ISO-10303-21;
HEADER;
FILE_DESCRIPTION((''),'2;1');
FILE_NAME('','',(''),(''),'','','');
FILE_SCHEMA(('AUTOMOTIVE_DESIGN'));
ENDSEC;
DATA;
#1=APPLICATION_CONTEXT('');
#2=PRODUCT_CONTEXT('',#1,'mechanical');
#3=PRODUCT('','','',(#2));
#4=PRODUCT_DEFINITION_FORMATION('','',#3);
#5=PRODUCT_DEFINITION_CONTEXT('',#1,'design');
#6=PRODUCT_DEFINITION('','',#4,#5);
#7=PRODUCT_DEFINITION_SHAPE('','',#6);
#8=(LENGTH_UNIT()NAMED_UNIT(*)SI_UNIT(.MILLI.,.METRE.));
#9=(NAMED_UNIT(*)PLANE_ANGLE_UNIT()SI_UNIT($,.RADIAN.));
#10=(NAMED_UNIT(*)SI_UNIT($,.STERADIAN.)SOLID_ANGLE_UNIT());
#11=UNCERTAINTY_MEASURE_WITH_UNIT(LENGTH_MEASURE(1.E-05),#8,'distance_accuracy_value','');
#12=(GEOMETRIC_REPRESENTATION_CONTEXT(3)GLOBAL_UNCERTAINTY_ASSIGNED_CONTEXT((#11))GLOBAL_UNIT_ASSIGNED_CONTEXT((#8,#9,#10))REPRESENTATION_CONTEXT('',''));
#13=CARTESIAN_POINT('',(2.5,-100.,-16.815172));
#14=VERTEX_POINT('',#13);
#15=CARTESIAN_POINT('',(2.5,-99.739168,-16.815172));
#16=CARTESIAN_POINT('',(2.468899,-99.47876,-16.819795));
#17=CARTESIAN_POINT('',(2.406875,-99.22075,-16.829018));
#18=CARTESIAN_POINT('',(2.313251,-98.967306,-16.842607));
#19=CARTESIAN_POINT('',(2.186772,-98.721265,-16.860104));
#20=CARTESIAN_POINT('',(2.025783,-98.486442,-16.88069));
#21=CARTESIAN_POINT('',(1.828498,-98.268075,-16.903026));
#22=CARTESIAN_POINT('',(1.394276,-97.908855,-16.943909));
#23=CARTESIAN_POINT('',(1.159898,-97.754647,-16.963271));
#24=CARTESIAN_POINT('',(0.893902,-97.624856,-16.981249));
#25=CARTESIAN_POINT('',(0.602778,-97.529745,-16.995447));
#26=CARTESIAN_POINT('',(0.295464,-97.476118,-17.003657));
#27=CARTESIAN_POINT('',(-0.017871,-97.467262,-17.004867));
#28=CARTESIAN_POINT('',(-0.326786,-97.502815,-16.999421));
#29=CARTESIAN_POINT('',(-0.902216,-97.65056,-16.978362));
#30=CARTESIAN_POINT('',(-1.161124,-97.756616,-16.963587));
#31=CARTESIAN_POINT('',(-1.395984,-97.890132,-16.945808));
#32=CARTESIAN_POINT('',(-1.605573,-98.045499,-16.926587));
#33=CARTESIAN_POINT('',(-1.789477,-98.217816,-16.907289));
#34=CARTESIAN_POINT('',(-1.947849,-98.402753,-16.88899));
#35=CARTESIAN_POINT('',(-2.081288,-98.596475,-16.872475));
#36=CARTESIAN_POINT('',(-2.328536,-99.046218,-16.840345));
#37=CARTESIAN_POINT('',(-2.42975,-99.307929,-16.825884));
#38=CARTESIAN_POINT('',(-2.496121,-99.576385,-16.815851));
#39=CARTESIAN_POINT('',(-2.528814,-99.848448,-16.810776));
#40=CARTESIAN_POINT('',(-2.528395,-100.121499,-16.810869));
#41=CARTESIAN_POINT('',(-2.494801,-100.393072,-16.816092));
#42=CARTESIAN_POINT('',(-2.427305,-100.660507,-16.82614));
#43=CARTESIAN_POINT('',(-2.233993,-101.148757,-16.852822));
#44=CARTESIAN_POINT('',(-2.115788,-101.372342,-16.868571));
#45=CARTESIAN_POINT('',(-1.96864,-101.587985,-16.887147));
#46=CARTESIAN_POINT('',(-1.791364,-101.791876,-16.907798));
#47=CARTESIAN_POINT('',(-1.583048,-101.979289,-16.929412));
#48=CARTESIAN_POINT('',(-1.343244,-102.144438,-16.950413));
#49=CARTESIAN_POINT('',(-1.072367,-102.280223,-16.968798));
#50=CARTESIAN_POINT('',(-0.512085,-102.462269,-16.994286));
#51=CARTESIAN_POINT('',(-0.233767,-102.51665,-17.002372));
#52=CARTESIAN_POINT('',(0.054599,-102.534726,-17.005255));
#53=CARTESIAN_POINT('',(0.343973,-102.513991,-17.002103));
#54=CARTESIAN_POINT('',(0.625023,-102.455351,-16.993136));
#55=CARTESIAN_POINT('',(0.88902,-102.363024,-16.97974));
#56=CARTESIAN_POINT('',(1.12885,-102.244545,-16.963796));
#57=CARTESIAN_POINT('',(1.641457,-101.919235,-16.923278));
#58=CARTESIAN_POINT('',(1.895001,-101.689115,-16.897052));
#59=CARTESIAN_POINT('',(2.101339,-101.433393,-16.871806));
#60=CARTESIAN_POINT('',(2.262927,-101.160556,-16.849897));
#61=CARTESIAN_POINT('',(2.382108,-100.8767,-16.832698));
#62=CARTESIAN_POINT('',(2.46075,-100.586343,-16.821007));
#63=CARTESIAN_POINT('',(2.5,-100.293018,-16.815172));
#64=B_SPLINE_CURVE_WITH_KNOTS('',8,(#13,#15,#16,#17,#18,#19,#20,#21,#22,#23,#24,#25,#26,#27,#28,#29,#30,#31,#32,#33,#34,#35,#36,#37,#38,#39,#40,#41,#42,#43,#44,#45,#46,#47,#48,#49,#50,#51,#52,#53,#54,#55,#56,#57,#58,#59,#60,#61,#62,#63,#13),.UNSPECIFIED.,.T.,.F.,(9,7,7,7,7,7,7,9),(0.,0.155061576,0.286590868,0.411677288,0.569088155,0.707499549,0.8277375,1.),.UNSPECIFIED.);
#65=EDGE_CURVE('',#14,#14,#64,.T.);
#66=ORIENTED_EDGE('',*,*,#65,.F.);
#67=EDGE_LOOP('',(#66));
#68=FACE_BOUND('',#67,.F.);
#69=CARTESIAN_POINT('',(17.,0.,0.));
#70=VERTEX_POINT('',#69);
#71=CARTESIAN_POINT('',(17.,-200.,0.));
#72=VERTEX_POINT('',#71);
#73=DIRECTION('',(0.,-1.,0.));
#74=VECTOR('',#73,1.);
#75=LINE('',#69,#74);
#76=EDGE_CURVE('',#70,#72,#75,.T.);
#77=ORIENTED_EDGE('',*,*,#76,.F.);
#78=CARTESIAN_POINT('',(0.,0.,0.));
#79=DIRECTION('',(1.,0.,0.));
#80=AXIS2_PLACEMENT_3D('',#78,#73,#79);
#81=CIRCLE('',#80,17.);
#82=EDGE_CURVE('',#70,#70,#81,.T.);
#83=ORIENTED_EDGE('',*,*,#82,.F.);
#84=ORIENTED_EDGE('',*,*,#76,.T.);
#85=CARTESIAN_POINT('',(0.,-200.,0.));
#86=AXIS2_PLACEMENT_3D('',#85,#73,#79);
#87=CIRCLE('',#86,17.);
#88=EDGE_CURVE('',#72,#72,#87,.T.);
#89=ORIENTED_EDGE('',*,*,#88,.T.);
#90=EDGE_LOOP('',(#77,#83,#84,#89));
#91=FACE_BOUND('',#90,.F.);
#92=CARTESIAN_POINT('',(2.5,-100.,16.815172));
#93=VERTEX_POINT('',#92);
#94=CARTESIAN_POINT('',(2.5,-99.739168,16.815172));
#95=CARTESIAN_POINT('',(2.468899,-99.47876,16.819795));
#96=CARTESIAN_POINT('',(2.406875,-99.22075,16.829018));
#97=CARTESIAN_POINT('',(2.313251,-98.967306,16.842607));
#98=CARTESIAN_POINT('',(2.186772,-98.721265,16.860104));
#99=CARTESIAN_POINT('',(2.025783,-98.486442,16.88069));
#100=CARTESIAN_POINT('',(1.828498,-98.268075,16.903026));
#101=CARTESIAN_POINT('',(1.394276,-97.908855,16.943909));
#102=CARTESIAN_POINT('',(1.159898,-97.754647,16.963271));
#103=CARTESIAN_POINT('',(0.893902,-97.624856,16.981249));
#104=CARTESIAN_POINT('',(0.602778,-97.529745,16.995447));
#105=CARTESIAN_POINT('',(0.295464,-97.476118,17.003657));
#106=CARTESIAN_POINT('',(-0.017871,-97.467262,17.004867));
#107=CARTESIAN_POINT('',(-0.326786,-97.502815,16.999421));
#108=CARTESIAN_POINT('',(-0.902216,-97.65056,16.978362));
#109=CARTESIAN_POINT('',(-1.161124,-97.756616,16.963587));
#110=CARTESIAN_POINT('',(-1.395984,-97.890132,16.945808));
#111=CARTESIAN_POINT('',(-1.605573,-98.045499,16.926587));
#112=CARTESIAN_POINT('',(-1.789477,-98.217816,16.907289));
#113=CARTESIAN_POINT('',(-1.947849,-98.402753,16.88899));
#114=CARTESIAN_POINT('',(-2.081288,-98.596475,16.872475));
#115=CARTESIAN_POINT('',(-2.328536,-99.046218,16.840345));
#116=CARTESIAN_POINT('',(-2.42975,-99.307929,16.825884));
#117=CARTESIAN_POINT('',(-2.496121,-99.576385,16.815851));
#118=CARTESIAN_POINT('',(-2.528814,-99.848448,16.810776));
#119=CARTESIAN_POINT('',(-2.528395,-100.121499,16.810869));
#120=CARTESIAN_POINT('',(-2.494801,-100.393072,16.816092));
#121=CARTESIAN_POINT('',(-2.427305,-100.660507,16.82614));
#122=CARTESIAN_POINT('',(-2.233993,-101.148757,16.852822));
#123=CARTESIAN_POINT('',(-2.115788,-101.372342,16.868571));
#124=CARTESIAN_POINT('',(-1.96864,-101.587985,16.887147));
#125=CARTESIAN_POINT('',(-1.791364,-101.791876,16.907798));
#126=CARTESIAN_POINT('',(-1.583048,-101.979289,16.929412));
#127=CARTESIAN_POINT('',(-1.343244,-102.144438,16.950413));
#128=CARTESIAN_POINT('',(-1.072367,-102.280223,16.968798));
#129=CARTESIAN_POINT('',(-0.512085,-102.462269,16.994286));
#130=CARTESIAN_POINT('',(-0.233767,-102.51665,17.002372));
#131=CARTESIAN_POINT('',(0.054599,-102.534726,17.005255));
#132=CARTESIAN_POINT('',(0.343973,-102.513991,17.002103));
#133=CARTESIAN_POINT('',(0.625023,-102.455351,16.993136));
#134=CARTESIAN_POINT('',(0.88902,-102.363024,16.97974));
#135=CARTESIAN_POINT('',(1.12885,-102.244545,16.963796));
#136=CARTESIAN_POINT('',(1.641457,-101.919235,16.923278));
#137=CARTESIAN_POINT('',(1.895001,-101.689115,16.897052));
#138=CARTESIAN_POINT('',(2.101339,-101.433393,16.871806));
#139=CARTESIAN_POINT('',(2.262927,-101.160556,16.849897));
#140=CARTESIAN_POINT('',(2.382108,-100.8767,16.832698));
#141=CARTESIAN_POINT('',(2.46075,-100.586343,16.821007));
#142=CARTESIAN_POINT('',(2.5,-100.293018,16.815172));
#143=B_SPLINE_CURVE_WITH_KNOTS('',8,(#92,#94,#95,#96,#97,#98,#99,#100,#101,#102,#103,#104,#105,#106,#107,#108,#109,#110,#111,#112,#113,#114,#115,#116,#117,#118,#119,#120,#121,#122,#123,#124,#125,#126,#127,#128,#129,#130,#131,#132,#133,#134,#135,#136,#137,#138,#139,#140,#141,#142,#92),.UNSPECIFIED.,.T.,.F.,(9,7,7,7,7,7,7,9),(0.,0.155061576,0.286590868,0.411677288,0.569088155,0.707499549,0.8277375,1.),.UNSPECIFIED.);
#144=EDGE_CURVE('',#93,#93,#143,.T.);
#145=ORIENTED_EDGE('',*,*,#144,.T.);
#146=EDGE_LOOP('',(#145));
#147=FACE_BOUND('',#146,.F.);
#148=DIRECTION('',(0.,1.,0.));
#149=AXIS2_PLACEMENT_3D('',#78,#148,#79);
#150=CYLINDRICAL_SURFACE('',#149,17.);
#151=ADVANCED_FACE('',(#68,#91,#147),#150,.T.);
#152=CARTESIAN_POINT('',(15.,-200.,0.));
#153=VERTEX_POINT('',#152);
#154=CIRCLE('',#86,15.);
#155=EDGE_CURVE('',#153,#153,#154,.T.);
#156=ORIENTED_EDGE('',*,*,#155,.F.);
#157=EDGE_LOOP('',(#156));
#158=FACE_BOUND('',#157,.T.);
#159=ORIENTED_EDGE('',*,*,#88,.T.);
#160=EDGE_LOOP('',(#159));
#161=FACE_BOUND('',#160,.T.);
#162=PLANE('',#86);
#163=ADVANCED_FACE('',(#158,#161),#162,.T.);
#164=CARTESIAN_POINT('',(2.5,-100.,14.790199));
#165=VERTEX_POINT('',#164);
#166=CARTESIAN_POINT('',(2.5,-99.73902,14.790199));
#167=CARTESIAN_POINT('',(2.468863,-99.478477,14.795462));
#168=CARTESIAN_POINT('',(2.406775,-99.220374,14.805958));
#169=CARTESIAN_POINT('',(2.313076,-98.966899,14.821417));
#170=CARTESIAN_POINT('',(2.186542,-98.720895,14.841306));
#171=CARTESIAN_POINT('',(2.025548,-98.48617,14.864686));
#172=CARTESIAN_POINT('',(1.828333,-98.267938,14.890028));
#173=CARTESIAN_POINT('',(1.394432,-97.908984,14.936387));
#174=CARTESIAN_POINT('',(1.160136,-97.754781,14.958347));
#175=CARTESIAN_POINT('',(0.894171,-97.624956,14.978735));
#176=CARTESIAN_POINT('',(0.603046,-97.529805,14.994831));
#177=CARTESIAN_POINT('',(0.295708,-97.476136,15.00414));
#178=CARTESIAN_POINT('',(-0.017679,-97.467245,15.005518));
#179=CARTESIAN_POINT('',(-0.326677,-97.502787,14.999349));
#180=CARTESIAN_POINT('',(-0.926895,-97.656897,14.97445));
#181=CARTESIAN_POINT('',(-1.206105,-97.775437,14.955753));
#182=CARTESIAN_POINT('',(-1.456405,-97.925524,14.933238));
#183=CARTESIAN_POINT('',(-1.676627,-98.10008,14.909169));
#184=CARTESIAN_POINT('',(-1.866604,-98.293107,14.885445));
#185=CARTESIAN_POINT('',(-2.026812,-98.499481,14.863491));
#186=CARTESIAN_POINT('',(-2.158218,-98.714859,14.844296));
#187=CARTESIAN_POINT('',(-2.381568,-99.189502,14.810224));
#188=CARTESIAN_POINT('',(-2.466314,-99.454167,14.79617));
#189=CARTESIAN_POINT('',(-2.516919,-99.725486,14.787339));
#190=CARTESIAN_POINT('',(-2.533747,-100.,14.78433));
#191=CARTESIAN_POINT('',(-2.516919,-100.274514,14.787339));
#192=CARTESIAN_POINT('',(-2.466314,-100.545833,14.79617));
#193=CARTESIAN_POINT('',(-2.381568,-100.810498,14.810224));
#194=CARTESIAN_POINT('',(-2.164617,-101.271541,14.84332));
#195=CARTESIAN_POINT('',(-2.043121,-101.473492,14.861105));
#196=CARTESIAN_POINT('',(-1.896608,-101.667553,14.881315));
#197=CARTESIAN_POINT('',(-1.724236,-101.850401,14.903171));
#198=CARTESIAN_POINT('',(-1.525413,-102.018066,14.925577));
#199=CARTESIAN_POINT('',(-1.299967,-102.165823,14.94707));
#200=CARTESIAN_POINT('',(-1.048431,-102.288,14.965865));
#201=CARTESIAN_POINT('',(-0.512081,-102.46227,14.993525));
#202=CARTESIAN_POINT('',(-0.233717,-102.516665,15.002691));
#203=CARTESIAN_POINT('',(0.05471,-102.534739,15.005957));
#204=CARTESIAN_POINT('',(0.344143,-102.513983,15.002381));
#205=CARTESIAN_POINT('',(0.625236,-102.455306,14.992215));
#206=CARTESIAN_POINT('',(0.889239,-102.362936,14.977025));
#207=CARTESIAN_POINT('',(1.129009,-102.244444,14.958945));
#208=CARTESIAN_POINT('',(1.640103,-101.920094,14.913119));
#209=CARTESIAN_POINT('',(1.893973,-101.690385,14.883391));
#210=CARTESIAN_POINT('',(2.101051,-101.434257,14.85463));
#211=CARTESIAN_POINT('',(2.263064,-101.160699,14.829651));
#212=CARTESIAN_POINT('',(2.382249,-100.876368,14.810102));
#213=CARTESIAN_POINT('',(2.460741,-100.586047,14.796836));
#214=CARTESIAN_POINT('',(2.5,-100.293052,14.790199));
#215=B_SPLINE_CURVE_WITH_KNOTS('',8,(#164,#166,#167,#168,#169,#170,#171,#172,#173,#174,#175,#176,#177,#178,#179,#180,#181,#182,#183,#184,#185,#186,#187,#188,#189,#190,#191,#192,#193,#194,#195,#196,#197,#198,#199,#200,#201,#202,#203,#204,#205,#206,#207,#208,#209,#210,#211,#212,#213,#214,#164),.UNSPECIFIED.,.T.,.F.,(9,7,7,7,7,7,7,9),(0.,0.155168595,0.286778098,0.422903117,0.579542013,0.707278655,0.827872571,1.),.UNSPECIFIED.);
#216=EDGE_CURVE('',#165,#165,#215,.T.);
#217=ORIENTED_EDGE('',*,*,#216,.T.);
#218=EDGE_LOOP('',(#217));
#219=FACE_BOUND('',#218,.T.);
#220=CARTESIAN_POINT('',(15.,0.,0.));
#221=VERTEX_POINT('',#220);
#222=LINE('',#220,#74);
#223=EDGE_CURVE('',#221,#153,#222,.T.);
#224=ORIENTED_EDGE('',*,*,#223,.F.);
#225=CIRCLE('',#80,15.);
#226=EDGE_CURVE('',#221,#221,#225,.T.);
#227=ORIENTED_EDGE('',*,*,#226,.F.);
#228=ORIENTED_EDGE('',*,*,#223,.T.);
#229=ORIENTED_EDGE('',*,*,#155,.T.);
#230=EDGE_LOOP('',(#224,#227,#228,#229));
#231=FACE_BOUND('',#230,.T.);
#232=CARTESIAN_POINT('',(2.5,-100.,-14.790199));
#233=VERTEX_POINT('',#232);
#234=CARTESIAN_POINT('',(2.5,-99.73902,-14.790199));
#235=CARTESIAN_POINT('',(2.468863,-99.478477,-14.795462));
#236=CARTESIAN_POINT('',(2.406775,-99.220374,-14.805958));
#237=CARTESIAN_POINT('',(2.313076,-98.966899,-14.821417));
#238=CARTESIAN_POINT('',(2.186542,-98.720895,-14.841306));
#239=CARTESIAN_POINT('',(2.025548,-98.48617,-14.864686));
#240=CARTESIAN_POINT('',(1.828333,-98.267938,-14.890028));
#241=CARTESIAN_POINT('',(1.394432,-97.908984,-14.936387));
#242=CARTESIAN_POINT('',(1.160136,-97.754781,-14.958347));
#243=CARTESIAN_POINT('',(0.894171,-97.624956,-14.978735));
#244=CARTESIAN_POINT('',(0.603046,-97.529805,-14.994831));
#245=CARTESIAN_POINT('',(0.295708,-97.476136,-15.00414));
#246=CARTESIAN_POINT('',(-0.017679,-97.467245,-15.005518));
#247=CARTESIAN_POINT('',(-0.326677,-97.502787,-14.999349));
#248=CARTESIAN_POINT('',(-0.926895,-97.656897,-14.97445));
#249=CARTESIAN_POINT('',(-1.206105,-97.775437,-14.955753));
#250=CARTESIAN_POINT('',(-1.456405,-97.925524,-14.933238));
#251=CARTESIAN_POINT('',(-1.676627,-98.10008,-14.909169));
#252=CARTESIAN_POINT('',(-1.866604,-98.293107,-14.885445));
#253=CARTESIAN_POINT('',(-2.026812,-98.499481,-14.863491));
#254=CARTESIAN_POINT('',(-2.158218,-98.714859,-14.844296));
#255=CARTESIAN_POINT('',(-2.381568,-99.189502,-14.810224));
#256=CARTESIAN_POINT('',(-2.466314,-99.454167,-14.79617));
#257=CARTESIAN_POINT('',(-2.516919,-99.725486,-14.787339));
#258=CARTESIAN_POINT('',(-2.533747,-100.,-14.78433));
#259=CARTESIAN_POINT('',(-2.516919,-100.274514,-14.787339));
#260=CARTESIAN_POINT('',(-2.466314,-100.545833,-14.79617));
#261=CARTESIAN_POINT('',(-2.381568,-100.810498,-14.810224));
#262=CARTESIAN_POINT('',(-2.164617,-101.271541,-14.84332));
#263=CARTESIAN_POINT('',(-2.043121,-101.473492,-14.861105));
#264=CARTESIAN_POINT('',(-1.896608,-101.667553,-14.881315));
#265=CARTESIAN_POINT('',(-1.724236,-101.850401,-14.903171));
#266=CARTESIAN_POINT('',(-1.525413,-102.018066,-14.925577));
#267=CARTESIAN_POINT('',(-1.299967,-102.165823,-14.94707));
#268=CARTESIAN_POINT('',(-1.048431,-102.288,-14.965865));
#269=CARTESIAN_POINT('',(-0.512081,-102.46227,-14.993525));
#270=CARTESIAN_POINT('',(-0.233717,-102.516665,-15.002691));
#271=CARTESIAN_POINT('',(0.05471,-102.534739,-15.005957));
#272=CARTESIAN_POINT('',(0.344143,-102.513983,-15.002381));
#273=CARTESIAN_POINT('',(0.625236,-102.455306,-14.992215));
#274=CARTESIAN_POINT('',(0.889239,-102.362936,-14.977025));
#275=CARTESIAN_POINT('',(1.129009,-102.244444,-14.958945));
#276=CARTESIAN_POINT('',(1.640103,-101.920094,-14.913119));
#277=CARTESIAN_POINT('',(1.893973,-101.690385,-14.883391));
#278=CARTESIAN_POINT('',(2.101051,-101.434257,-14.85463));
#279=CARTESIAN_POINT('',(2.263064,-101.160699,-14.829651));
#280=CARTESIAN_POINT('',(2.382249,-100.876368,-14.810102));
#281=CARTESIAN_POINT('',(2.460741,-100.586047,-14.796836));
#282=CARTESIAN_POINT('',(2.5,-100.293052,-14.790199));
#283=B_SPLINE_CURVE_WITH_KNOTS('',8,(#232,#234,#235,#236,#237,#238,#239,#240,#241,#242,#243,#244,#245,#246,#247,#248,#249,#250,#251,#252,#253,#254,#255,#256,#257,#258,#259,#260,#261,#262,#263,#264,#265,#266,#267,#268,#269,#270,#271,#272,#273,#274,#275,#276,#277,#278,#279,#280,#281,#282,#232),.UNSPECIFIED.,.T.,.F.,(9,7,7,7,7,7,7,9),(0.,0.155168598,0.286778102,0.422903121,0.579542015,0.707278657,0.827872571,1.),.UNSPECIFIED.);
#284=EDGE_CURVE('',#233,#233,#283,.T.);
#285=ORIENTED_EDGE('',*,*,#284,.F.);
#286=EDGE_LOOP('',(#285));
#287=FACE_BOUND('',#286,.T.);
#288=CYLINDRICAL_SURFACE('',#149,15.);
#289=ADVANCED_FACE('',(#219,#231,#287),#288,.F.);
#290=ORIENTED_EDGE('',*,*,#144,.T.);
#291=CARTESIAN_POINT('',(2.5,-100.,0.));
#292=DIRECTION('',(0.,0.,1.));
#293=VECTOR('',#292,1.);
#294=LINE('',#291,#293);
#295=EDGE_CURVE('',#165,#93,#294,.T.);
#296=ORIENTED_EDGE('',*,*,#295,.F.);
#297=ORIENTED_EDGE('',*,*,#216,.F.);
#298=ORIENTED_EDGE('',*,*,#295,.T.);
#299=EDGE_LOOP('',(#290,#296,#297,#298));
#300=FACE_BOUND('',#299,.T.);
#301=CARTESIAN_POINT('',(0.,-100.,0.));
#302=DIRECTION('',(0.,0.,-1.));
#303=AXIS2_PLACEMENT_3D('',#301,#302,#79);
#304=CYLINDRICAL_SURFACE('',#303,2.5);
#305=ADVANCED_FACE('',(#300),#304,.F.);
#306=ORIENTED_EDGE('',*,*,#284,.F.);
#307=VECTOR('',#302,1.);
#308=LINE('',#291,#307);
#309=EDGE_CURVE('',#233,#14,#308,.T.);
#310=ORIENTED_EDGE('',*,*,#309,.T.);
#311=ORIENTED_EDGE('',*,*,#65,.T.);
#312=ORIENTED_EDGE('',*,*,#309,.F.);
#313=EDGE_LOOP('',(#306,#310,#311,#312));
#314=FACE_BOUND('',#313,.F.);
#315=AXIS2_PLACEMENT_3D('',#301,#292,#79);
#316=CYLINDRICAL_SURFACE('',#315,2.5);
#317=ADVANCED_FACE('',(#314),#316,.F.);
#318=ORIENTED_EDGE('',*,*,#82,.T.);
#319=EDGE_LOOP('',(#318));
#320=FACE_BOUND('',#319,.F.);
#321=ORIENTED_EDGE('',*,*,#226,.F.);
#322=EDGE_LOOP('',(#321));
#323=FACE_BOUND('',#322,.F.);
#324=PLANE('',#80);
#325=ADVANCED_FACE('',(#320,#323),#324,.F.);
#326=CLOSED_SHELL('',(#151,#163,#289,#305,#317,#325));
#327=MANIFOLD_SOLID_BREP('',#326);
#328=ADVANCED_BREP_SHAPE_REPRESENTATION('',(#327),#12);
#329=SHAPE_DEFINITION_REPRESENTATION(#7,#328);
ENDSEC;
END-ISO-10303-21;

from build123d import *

# Parameters (mm, degrees)
F0_R          = 17
F0_R_2        = 15
F1_DEPTH      = 200
F2_R          = 2.5
F3_DEPTH      = 25
F3_DEPTH_BACK = 25


with BuildPart() as f1:
    # F0 (on Front) → F1 (new body)
    with BuildSketch(Plane.XZ):
        Circle(F0_R)
        Circle(F0_R_2, mode=Mode.SUBTRACT)
    extrude(amount=F1_DEPTH)

    # F2 (on Top) → F3 (cut, two sides)
    with BuildSketch(Plane.XY) as f3_sk:
        with Locations((0, -100)):
            Circle(F2_R)
    extrude(amount=-F3_DEPTH, mode=Mode.SUBTRACT)
    extrude(f3_sk.sketch, amount=F3_DEPTH_BACK, mode=Mode.SUBTRACT)


solid = f1.part
